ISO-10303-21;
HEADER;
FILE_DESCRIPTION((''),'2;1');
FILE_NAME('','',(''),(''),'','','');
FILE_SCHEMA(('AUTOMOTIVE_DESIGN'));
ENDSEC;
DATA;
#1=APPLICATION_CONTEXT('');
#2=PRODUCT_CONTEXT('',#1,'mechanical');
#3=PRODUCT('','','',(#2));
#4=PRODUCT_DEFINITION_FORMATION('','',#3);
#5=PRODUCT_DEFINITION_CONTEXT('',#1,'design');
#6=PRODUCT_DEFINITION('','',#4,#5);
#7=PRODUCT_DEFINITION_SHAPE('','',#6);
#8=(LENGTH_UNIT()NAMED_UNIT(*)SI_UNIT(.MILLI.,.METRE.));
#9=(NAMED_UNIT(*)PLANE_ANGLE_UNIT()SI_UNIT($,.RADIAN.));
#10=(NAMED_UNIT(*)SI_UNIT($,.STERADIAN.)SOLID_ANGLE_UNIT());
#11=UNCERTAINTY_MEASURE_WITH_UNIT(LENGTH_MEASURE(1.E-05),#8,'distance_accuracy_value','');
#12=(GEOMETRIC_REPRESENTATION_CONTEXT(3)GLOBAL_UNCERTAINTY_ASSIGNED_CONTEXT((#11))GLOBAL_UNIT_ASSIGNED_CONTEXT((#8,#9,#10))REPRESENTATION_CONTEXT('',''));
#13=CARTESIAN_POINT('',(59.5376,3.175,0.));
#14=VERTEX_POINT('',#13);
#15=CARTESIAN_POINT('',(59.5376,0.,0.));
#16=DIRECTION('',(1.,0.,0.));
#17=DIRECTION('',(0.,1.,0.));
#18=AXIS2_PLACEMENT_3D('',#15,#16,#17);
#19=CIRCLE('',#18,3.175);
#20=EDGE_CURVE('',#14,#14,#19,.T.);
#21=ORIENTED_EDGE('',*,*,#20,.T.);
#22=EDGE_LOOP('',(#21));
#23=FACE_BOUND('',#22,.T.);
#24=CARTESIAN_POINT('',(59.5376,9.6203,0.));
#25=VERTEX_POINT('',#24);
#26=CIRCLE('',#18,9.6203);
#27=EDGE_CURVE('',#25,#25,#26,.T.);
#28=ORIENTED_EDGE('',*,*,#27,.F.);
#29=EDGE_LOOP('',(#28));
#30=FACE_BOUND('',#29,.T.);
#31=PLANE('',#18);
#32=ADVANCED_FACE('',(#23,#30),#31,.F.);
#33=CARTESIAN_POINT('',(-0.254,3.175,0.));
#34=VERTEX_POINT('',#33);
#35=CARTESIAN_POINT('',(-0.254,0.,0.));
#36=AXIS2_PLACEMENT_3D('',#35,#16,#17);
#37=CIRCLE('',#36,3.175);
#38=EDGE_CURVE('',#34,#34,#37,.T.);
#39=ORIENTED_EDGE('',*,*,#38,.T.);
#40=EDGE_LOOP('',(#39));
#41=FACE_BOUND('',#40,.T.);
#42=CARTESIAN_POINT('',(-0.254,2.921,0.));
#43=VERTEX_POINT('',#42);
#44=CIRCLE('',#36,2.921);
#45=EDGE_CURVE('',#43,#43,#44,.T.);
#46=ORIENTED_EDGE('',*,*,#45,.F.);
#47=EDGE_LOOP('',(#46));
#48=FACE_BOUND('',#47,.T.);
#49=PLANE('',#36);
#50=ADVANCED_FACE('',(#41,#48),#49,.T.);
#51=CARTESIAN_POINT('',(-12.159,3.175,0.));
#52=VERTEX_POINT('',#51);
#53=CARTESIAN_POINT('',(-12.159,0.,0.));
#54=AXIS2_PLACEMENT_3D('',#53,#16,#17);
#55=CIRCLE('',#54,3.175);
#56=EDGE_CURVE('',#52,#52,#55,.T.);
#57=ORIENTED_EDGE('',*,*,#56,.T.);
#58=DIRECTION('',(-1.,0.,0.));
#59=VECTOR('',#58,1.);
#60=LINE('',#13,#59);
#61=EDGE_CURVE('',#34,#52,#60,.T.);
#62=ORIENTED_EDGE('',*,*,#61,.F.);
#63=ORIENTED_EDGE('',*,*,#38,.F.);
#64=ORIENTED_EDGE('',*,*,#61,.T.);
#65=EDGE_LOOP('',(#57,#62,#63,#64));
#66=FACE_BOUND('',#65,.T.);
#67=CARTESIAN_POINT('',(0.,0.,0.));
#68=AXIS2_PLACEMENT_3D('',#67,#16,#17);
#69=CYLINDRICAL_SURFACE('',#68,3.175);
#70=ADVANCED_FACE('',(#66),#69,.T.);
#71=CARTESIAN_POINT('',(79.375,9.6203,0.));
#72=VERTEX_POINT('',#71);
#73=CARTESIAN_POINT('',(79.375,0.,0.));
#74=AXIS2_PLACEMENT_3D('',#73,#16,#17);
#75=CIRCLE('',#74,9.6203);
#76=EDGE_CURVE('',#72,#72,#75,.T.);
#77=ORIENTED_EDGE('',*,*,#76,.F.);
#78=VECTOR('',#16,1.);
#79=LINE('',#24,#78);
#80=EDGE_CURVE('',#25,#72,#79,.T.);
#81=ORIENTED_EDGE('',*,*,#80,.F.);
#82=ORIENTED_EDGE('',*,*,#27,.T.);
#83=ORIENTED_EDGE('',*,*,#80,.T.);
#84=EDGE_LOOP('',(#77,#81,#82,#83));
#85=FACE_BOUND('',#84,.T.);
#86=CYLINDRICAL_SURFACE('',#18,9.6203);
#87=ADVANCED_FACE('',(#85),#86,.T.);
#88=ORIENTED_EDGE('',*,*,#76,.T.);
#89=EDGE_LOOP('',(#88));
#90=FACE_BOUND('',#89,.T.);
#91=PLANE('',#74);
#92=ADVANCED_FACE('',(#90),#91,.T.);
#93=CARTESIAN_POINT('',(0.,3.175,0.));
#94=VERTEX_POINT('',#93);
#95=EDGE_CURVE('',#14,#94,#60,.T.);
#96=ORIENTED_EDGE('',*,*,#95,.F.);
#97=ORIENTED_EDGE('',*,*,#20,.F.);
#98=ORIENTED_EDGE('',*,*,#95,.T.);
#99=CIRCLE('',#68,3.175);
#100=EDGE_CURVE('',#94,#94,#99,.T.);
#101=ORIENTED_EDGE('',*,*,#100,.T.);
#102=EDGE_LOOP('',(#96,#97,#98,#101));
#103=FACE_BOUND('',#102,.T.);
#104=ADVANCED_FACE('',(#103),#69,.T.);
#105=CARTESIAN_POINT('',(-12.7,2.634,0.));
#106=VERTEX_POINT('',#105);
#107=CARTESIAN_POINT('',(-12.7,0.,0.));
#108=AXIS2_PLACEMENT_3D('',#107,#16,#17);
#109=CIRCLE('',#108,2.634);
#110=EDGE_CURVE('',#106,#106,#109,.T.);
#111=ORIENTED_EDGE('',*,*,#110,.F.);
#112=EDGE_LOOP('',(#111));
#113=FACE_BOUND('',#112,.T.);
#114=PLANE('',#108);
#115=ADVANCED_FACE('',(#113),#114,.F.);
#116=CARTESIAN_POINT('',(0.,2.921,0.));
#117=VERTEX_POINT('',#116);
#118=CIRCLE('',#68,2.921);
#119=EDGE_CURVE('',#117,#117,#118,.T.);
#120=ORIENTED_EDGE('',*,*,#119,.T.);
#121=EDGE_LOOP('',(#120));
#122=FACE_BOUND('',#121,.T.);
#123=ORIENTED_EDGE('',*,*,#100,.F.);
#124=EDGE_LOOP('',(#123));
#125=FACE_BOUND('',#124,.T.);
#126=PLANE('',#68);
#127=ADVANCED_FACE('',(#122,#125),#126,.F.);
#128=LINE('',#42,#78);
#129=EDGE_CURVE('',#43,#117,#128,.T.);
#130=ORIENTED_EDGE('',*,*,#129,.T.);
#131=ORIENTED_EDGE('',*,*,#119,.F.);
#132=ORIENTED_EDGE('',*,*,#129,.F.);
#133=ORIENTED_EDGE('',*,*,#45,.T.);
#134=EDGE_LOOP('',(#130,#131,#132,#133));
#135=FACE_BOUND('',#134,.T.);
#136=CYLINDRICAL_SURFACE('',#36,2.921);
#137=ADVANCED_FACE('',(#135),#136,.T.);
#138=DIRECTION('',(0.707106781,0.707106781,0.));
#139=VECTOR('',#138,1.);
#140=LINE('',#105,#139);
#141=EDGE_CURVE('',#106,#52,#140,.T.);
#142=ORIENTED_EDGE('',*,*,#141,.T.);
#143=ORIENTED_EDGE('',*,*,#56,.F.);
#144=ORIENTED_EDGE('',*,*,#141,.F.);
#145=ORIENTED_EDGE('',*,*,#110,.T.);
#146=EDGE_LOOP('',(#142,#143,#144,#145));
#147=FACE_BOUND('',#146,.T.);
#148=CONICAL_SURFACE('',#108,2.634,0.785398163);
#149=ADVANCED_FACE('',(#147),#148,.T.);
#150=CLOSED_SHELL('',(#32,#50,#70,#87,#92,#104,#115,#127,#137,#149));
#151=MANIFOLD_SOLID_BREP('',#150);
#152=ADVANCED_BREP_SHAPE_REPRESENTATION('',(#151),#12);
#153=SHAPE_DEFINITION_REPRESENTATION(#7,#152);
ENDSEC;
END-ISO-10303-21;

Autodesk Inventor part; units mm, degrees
sketch "Sketch_1" plane through (0, 0, 0) normal (0, 0, 1) x (1, 0, 0)
  line L0 (79.375, 0) -> (0, 0)
  line L1 (0, 0) -> (0, 3.175)
  line L2 (0, 3.175) -> (59.5376, 3.175)
  line L3 (59.5376, 3.175) -> (59.5376, 9.6203)
  line L4 (59.5376, 9.6203) -> (79.375, 9.6203)
  line L5 (79.375, 9.6203) -> (79.375, 0)
  line L6 (79.375, 0) -> (0, 0)
revolve "Revolution1" add sketch "Sketch_1" angle 360 about axis through (79.375, 0, 0) along (1, 0, 0)
sketch "Sketch_3" plane through (0, 0, 0) normal (0, 0, 1) x (1, 0, 0)
  line L0 (0, 0) -> (-12.7, 0)
  line L1 (-12.7, 0) -> (-12.7, 2.634)
  line L2 (-12.7, 2.634) -> (-12.159, 3.175)
  line L3 (-12.159, 3.175) -> (0, 3.175)
  line L4 (0, 3.175) -> (0, 0)
  line L5 (0, 0) -> (-12.7, 0)
revolve "Revolution2" add sketch "Sketch_3" angle 360 about axis through (0, 0, 0) along (1, 0, 0)
thread "Thread1" size "1/4-28 UNF" class "2A" standard "ANSI Unified Screw Threads" length 12.159
sketch "Sketch_30" plane through (0, 0, 0) normal (0, 0, 1) x (1, 0, 0)
  line L0 (0, 0) -> (-0.254, 0)
  line L1 (-0.254, 2.921) -> (0, 2.921)
  line L2 (0, 2.921) -> (0, 3.429)
  line L3 (0, 3.429) -> (-0.254, 3.429)
  line L4 (-0.254, 3.429) -> (-0.254, 2.921)
revolve "Revolution3" cut sketch "Sketch_30" angle 360 about axis through (0, 0, 0) along (1, 0, 0)
ref_plane "dia1_XY" through (0, 3.175, 0) normal (1, 0, 0) x (0, 0, -1)
ref_plane "dia1_YZ" through (0, 3.175, 0) normal (0, 0, -1) x (0, 1, 0)
ref_plane "dia1_ZX" through (0, 3.175, 0) normal (0, 1, 0) x (1, 0, 0)
ref_plane "dia12_XY" through (0, 0, 10.9537) normal (1, 0, 0) x (0, 0, -1)
ref_plane "dia12_YZ" through (0, 0, 10.9537) normal (0, 0, -1) x (0, 1, 0)
ref_plane "dia12_ZX" through (0, 0, 10.9537) normal (0, 1, 0) x (1, 0, 0)
ref_plane "dia1r_XY" through (0, 0, 10.2235) normal (1, 0, 0) x (0, 0, -1)
ref_plane "dia1r_YZ" through (0, 0, 10.2235) normal (0, 0, -1) x (0, 1, 0)
ref_plane "dia1r_ZX" through (0, 0, 10.2235) normal (0, 1, 0) x (1, 0, 0)
ref_plane "dia2_XY" through (0, -3.175, 0) normal (1, 0, 0) x (0, 0, -1)
ref_plane "dia2_YZ" through (0, -3.175, 0) normal (0, 0, -1) x (0, 1, 0)
ref_plane "dia2_ZX" through (0, -3.175, 0) normal (0, 1, 0) x (1, 0, 0)
ref_plane "dia22_XY" through (0, 0, -10.9537) normal (1, 0, 0) x (0, 0, -1)
ref_plane "dia22_YZ" through (0, 0, -10.9537) normal (0, 0, -1) x (0, 1, 0)
ref_plane "dia22_ZX" through (0, 0, -10.9537) normal (0, 1, 0) x (1, 0, 0)
ref_plane "dia2r_XY" through (0, 0, -10.2235) normal (1, 0, 0) x (0, 0, -1)
ref_plane "dia2r_YZ" through (0, 0, -10.2235) normal (0, 0, -1) x (0, 1, 0)
ref_plane "dia2r_ZX" through (0, 0, -10.2235) normal (0, 1, 0) x (1, 0, 0)
ref_plane "rl1_XY" through (-12.7, 0, 0) normal (1, 0, 0) x (0, 0, -1)
ref_plane "rl1_YZ" through (-12.7, 0, 0) normal (0, 0, -1) x (0, 1, 0)
ref_plane "rl1_ZX" through (-12.7, 0, 0) normal (0, 1, 0) x (1, 0, 0)
ref_plane "rl2_XY" through (0, 0, 0) normal (1, 0, 0) x (0, 0, -1)
ref_plane "rl2_YZ" through (0, 0, 0) normal (0, 0, -1) x (0, 1, 0)
ref_plane "rl2_ZX" through (0, 0, 0) normal (0, 1, 0) x (1, 0, 0)
ref_plane "rod_cp_XY" through (0, 0, 0) normal (1, 0, 0) x (0, 0, -1)
ref_plane "rod_cp_YZ" through (0, 0, 0) normal (0, 0, -1) x (0, 1, 0)
ref_plane "rod_cp_ZX" through (0, 0, 0) normal (0, 1, 0) x (1, 0, 0)
ref_plane "stroke1_XY" through (0, 0, 0) normal (1, 0, 0) x (0, 0, -1)
ref_plane "stroke1_YZ" through (0, 0, 0) normal (0, 0, -1) x (0, 1, 0)
ref_plane "stroke1_ZX" through (0, 0, 0) normal (0, 1, 0) x (1, 0, 0)
ref_plane "thd1_XY" through (-12.7, 3.175, 0) normal (1, 0, 0) x (0, 0, -1)
ref_plane "thd1_YZ" through (-12.7, 3.175, 0) normal (0, 0, -1) x (0, 1, 0)
ref_plane "thd1_ZX" through (-12.7, 3.175, 0) normal (0, 1, 0) x (1, 0, 0)
ref_plane "thd2_XY" through (-12.7, -3.175, 0) normal (1, 0, 0) x (0, 0, -1)
ref_plane "thd2_YZ" through (-12.7, -3.175, 0) normal (0, 0, -1) x (0, 1, 0)
ref_plane "thd2_ZX" through (-12.7, -3.175, 0) normal (0, 1, 0) x (1, 0, 0)
ref_plane "to_rod_clevis_XY" through (-16.764, 0, 0) normal (1, 0, 0) x (0, 0, -1)
ref_plane "to_rod_clevis_YZ" through (-16.764, 0, 0) normal (0, 0, -1) x (0, 1, 0)
ref_plane "to_rod_clevis_ZX" through (-16.764, 0, 0) normal (0, 1, 0) x (1, 0, 0)
properties part number "C-040.75-R0000_rod"
